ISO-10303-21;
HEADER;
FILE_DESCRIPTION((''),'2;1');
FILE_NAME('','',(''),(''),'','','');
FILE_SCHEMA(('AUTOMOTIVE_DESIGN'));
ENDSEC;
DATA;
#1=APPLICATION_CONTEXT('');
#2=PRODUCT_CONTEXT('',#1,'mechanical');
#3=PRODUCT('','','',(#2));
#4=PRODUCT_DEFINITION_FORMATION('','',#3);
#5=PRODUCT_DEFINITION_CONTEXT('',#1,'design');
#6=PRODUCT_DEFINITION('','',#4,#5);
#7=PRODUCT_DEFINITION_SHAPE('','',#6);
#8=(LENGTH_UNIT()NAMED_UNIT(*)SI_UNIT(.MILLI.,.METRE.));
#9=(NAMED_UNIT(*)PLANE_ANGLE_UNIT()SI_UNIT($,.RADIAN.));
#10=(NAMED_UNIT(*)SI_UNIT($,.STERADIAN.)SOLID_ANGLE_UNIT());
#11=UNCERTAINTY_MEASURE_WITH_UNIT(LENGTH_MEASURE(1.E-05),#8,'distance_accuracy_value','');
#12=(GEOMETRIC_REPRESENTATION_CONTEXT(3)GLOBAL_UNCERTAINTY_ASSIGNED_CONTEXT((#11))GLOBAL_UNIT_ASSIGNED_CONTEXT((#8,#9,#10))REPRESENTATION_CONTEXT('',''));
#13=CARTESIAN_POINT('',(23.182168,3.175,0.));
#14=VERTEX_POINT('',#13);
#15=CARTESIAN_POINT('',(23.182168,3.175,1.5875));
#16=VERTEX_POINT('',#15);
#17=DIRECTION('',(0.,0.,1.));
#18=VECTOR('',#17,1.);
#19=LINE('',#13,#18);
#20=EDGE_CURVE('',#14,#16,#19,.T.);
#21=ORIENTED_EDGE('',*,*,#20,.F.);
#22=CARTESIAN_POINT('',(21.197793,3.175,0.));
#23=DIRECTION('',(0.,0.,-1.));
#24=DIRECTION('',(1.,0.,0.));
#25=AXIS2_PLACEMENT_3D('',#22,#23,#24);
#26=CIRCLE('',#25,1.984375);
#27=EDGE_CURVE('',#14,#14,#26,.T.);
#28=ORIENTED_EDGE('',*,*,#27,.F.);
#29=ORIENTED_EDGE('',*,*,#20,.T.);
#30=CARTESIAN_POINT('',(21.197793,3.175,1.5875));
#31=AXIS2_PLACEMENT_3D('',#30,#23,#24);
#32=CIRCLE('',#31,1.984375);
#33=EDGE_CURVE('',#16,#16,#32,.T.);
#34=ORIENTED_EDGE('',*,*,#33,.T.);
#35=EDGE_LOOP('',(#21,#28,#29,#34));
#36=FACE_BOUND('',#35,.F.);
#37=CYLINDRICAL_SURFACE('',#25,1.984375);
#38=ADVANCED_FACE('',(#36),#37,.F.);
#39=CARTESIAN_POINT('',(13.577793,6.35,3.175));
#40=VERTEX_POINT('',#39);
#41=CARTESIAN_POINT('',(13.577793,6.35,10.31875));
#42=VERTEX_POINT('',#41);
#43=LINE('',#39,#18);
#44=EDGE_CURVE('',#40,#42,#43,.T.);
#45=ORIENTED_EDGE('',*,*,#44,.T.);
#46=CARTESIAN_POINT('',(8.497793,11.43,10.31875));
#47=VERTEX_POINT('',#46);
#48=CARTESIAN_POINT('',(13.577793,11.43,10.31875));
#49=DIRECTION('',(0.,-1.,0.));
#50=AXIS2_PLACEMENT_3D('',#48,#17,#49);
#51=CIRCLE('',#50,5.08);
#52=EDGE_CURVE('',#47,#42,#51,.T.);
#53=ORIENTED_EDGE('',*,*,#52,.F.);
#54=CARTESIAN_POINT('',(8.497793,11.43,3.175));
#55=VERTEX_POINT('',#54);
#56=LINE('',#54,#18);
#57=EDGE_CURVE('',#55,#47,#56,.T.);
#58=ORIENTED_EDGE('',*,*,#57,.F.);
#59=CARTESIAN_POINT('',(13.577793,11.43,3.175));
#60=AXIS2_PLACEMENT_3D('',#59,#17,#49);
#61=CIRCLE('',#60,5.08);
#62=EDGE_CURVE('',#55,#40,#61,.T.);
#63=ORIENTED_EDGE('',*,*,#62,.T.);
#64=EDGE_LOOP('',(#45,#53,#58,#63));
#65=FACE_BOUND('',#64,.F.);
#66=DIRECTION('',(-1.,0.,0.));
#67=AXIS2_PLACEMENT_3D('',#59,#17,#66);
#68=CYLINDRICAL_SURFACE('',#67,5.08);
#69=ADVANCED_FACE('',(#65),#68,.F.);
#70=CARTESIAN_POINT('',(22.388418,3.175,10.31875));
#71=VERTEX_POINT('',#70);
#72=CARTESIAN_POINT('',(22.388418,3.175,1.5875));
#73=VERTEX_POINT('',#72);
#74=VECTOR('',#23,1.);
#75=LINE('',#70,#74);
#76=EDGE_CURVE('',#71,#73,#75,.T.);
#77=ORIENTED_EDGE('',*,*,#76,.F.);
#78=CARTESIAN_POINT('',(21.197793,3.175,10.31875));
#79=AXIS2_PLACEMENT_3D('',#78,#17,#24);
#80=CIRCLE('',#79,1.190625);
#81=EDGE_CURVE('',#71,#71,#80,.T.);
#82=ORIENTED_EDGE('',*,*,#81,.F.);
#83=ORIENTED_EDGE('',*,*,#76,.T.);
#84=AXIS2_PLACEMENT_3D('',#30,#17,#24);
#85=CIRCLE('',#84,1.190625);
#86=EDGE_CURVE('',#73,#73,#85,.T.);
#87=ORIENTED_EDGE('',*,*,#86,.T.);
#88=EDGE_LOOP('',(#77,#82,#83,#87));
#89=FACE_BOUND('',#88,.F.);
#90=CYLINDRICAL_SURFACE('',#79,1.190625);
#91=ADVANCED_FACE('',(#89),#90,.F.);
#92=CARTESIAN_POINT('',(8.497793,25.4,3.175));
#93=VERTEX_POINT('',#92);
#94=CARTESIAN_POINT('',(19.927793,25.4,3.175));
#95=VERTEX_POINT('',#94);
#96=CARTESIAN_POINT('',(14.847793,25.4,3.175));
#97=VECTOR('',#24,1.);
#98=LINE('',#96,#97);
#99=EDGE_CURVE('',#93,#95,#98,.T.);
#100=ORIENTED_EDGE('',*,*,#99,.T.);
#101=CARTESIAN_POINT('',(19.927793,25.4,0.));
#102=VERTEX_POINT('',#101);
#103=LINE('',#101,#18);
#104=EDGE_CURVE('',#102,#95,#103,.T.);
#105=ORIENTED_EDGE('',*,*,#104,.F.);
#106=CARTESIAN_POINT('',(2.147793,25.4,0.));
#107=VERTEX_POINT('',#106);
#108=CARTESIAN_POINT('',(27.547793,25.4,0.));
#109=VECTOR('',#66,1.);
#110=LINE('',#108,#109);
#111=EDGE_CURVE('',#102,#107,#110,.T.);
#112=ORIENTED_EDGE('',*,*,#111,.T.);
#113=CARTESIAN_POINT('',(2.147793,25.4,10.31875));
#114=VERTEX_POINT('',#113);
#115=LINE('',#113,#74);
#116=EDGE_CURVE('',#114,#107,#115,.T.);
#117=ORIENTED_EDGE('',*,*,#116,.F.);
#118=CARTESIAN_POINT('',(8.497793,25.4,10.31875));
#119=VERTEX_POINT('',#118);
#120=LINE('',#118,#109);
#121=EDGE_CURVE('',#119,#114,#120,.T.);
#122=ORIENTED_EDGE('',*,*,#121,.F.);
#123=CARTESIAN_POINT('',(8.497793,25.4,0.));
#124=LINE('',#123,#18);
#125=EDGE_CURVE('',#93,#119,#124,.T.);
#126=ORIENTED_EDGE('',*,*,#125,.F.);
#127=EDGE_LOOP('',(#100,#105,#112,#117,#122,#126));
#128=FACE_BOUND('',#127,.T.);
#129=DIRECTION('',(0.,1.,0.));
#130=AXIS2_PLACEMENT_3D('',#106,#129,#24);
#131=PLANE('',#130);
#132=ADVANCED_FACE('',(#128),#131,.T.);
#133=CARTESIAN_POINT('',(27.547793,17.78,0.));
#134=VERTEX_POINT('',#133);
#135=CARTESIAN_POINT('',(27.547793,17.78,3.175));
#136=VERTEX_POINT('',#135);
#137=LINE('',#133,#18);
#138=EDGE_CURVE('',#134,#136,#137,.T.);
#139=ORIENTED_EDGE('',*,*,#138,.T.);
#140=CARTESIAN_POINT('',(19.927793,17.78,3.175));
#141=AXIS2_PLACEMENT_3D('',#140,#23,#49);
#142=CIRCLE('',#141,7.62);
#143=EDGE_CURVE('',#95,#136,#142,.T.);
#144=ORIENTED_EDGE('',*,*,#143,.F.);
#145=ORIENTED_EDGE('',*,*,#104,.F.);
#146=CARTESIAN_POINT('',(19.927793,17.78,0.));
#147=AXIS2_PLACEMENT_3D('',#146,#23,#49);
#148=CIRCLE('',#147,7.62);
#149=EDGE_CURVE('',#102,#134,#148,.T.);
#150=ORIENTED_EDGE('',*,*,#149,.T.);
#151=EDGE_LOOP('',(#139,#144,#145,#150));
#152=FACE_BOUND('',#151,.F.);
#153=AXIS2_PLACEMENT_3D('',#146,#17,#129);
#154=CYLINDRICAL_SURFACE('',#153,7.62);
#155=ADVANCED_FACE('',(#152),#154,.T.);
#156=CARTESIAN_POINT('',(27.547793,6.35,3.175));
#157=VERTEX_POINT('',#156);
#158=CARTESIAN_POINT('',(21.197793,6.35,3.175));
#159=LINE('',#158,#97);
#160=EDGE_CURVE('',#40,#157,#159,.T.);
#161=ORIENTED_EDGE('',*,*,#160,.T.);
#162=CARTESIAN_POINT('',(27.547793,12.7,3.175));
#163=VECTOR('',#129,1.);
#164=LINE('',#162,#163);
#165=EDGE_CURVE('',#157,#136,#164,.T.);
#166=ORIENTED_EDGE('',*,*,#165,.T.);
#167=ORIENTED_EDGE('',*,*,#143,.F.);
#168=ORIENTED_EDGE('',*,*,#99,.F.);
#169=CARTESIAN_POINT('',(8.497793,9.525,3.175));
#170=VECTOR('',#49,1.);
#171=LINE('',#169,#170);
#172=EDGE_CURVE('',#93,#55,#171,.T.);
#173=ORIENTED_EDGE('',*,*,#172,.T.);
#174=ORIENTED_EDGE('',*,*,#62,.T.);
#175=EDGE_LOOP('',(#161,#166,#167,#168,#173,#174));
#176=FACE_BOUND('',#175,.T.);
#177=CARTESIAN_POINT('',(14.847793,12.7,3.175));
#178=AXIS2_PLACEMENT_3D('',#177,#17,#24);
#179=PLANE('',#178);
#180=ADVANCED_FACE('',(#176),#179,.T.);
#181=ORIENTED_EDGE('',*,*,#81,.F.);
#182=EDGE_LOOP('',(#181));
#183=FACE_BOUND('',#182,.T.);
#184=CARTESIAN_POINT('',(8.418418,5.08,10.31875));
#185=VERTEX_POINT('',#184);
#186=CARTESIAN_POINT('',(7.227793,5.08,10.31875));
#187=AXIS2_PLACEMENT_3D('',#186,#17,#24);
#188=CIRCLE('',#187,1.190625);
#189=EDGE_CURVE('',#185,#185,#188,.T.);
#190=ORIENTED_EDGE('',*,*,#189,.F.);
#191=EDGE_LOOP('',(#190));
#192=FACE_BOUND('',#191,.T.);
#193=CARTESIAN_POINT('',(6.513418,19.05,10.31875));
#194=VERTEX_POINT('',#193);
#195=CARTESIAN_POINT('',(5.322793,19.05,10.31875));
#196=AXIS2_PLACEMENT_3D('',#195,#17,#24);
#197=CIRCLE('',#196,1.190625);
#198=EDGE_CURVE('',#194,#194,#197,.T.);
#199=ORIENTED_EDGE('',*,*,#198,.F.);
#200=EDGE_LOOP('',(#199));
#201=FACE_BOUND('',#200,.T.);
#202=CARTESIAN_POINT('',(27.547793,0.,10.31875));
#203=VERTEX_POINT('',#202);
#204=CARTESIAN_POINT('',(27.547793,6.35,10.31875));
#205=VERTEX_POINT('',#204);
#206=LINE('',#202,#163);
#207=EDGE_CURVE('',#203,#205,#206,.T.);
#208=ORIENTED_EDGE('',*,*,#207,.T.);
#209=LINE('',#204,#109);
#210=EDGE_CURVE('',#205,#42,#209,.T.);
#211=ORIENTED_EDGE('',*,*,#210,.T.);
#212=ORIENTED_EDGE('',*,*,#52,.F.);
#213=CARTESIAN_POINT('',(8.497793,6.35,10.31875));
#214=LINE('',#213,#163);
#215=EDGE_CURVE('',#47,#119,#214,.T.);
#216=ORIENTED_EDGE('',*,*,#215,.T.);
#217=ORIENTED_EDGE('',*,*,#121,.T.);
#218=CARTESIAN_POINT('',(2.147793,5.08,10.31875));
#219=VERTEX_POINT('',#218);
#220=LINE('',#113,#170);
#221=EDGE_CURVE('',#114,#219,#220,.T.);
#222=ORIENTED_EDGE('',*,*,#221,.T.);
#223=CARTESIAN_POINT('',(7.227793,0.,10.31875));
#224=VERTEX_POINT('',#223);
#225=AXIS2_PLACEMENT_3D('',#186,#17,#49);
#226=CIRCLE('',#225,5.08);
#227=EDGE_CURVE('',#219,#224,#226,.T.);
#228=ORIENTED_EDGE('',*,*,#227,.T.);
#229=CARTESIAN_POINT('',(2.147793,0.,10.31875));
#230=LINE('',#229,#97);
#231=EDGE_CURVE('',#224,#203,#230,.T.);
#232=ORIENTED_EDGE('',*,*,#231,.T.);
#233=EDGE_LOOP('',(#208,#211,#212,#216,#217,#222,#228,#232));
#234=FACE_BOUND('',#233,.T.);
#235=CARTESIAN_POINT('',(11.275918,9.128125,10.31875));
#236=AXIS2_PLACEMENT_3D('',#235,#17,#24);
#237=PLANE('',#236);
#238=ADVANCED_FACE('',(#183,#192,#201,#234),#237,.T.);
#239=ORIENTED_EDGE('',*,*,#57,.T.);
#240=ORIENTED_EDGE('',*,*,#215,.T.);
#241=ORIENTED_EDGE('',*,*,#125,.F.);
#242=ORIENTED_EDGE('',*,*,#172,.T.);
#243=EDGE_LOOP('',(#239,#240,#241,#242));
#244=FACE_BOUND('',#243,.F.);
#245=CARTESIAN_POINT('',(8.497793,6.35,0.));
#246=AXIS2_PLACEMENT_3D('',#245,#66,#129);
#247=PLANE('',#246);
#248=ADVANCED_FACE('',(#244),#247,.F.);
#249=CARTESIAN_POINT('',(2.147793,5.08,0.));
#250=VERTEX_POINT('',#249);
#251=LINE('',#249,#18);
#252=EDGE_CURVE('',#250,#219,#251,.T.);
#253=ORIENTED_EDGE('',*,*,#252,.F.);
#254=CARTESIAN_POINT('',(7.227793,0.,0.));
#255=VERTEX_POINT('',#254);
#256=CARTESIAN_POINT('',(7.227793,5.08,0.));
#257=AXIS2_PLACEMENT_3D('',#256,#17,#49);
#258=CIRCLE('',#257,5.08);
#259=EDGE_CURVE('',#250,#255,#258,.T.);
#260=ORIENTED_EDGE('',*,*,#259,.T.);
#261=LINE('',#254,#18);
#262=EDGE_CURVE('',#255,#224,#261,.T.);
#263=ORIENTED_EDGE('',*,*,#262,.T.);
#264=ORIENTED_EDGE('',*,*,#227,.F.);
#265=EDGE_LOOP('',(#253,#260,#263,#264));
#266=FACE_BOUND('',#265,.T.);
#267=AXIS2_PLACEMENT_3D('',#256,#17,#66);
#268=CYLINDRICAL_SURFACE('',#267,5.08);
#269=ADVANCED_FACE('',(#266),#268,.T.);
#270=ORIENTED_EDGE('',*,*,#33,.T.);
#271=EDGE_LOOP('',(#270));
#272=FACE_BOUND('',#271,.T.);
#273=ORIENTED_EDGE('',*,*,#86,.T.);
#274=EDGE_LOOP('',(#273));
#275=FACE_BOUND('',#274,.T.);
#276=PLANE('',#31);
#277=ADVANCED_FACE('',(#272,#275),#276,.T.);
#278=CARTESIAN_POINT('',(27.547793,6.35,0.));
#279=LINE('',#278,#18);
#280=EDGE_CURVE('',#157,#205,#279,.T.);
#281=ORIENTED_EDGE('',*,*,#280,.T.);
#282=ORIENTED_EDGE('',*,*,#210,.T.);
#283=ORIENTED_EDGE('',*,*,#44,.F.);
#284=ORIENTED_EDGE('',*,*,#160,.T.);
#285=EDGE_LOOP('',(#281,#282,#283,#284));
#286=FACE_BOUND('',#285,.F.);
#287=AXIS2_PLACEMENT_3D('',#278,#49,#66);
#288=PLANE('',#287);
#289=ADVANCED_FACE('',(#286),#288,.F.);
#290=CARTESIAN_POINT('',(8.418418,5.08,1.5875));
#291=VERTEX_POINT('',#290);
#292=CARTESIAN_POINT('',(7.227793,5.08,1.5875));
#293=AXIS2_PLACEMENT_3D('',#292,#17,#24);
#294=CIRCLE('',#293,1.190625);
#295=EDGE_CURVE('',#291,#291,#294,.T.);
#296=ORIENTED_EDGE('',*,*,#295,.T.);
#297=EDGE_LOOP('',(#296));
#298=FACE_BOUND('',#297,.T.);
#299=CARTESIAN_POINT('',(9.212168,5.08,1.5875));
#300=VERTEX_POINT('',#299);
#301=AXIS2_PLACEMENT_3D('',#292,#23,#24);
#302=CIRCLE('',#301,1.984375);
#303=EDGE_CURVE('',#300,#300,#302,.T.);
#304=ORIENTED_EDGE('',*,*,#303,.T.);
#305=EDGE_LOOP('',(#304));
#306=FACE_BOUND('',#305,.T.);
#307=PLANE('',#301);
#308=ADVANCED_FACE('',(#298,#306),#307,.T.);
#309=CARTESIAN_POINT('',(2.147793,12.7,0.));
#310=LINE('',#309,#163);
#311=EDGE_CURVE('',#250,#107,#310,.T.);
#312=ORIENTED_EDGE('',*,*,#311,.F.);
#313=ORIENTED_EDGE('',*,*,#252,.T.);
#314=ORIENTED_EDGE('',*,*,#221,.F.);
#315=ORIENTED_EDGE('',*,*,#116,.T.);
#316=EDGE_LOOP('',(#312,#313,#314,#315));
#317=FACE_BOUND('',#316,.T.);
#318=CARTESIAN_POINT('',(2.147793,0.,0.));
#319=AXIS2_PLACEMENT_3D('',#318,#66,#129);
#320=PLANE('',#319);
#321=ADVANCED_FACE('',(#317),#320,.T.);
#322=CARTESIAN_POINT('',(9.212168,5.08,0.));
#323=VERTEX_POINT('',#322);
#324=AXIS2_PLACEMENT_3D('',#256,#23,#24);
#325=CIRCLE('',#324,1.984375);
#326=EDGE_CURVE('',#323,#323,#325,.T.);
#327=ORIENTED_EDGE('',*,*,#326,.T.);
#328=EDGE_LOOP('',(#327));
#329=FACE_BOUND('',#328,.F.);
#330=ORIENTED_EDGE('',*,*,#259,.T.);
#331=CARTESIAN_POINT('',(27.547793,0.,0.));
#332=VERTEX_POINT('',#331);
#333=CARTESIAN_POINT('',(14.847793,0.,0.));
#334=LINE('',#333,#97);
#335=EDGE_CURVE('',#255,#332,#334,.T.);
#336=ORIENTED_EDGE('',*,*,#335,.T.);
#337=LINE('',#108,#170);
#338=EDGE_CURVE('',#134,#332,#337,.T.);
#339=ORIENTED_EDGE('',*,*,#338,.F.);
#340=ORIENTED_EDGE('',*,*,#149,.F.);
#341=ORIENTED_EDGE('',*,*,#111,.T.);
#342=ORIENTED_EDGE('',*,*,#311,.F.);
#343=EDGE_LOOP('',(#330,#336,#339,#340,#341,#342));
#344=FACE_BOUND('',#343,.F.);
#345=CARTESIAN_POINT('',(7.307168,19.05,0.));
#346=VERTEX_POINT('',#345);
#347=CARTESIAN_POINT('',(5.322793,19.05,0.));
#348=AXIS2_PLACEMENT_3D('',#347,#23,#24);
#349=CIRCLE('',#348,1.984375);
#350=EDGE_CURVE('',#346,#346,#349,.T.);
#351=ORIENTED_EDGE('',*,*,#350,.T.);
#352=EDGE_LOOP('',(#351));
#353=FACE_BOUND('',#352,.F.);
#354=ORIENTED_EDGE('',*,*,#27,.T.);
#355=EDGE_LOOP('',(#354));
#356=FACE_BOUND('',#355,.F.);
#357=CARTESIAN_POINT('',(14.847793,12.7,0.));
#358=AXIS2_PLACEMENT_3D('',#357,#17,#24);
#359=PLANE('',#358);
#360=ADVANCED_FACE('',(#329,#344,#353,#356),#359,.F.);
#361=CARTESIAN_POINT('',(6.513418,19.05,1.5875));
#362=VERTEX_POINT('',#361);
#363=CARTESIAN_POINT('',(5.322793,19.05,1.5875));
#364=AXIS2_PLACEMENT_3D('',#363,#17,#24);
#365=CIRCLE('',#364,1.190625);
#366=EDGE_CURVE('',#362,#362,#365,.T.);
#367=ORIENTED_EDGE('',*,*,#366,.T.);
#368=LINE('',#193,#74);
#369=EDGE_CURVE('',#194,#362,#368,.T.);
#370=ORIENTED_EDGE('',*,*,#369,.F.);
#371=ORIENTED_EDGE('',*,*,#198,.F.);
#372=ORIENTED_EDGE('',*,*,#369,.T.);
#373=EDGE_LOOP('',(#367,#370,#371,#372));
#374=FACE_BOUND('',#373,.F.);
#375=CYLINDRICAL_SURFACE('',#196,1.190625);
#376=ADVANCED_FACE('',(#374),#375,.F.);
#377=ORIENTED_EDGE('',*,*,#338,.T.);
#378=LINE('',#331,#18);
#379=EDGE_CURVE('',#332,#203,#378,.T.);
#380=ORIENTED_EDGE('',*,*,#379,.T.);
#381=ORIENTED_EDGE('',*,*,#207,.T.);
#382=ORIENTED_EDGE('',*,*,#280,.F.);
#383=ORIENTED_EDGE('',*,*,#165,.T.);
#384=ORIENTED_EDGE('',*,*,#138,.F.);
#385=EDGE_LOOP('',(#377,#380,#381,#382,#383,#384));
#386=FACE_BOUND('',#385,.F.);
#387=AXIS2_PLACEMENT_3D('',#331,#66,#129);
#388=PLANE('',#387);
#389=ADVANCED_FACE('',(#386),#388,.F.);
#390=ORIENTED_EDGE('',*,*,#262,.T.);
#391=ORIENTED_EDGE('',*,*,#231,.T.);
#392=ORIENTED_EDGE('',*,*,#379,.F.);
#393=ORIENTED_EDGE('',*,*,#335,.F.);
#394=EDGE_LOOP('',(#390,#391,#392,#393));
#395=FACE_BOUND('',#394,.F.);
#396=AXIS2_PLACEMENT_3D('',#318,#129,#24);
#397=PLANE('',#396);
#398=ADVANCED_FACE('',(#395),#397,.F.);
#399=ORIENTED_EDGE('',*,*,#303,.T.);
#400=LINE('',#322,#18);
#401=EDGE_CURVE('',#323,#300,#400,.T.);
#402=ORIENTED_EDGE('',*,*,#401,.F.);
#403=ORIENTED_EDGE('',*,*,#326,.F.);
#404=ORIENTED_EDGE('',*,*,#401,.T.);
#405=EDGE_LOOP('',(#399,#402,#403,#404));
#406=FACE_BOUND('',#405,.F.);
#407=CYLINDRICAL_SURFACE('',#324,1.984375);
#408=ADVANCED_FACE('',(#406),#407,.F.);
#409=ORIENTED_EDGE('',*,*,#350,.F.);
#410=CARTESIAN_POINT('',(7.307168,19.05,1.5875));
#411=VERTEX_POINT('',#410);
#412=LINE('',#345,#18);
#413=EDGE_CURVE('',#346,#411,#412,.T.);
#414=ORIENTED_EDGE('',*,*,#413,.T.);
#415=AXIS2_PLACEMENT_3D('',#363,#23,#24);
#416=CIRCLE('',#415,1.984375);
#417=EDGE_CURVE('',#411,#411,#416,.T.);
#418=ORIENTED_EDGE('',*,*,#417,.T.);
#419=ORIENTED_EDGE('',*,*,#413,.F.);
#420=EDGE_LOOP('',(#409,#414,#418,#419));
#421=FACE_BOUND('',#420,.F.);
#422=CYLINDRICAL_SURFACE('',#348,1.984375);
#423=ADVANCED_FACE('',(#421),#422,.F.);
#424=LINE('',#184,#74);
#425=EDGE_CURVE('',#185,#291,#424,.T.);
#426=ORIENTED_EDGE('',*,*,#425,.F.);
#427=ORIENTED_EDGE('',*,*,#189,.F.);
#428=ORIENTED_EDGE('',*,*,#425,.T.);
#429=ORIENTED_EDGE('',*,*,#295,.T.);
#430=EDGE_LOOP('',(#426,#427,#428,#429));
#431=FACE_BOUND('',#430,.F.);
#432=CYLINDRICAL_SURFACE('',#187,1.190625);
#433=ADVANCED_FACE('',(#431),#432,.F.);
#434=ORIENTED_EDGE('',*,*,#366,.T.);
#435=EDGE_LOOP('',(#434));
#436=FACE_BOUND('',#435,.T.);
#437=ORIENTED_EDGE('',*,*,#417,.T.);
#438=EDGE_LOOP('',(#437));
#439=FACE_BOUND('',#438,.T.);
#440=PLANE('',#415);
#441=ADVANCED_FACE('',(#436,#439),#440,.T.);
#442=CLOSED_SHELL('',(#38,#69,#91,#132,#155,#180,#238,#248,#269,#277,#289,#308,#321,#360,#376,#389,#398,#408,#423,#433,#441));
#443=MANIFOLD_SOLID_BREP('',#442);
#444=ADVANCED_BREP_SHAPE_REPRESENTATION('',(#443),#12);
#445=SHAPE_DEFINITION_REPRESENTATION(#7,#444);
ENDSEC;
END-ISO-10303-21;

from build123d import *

# Parameters (mm, degrees)
F0_W     = 25.4
F0_H     = 25.4
F1_DEPTH = 3.175
F3_DEPTH = 10.31875
F4_R     = 5.08
F5_R     = 7.62
F6_R     = 1.190625
F7_DEPTH = 10.31975
F8_R     = 1.984375
F9_DEPTH = 1.5875


with BuildPart() as f1:
    # F0 (on Top) → F1 (new body)
    with BuildSketch(Plane.XY):
        with Locations((14.847793, 12.7)):
            Rectangle(F0_W, F0_H)
    extrude(amount=F1_DEPTH)

    # F2 (on Top) → F3 (join)
    with BuildSketch(Plane.XY):
        Polygon((2.147793, 6.35), (2.147793, 0), (8.497793, 0), (27.547793, 0), (27.547793, 6.35), (8.497793, 6.35), (8.497793, 25.4), (2.147793, 25.4), align=None)
    extrude(amount=F3_DEPTH)

    # F4
    f4_edges = [f1.edges().sort_by_distance(p)[0] for p in [
        (8.497793, 6.35, 6.746875),
        (2.147793, 0, 5.159375),
    ]]
    fillet(f4_edges, radius=F4_R)

    # F5
    f5_edges = [f1.edges().sort_by_distance(p)[0] for p in [
        (27.547793, 25.4, 1.5875),
    ]]
    fillet(f5_edges, radius=F5_R)

    # F6 (on face) → F7 (cut, through all)
    with BuildSketch(Plane.XY.offset(10.31875)):
        with Locations((7.227793, 5.08)):
            Circle(F6_R)
        with Locations((5.322793, 19.05)):
            Circle(F6_R)
        with Locations((21.197793, 3.175)):
            Circle(F6_R)
    extrude(amount=-F7_DEPTH, mode=Mode.SUBTRACT)

    # F8 (on face) → F9 (cut)
    with BuildSketch(Plane(origin=(0, 0, 0), x_dir=(1, 0, 0), z_dir=(0, 0, -1))):
        with Locations((7.227793, -5.08)):
            Circle(F8_R)
        with Locations((21.197793, -3.175)):
            Circle(F8_R)
        with Locations((5.322793, -19.05)):
            Circle(F8_R)
    extrude(amount=-F9_DEPTH, mode=Mode.SUBTRACT)


solid = f1.part
